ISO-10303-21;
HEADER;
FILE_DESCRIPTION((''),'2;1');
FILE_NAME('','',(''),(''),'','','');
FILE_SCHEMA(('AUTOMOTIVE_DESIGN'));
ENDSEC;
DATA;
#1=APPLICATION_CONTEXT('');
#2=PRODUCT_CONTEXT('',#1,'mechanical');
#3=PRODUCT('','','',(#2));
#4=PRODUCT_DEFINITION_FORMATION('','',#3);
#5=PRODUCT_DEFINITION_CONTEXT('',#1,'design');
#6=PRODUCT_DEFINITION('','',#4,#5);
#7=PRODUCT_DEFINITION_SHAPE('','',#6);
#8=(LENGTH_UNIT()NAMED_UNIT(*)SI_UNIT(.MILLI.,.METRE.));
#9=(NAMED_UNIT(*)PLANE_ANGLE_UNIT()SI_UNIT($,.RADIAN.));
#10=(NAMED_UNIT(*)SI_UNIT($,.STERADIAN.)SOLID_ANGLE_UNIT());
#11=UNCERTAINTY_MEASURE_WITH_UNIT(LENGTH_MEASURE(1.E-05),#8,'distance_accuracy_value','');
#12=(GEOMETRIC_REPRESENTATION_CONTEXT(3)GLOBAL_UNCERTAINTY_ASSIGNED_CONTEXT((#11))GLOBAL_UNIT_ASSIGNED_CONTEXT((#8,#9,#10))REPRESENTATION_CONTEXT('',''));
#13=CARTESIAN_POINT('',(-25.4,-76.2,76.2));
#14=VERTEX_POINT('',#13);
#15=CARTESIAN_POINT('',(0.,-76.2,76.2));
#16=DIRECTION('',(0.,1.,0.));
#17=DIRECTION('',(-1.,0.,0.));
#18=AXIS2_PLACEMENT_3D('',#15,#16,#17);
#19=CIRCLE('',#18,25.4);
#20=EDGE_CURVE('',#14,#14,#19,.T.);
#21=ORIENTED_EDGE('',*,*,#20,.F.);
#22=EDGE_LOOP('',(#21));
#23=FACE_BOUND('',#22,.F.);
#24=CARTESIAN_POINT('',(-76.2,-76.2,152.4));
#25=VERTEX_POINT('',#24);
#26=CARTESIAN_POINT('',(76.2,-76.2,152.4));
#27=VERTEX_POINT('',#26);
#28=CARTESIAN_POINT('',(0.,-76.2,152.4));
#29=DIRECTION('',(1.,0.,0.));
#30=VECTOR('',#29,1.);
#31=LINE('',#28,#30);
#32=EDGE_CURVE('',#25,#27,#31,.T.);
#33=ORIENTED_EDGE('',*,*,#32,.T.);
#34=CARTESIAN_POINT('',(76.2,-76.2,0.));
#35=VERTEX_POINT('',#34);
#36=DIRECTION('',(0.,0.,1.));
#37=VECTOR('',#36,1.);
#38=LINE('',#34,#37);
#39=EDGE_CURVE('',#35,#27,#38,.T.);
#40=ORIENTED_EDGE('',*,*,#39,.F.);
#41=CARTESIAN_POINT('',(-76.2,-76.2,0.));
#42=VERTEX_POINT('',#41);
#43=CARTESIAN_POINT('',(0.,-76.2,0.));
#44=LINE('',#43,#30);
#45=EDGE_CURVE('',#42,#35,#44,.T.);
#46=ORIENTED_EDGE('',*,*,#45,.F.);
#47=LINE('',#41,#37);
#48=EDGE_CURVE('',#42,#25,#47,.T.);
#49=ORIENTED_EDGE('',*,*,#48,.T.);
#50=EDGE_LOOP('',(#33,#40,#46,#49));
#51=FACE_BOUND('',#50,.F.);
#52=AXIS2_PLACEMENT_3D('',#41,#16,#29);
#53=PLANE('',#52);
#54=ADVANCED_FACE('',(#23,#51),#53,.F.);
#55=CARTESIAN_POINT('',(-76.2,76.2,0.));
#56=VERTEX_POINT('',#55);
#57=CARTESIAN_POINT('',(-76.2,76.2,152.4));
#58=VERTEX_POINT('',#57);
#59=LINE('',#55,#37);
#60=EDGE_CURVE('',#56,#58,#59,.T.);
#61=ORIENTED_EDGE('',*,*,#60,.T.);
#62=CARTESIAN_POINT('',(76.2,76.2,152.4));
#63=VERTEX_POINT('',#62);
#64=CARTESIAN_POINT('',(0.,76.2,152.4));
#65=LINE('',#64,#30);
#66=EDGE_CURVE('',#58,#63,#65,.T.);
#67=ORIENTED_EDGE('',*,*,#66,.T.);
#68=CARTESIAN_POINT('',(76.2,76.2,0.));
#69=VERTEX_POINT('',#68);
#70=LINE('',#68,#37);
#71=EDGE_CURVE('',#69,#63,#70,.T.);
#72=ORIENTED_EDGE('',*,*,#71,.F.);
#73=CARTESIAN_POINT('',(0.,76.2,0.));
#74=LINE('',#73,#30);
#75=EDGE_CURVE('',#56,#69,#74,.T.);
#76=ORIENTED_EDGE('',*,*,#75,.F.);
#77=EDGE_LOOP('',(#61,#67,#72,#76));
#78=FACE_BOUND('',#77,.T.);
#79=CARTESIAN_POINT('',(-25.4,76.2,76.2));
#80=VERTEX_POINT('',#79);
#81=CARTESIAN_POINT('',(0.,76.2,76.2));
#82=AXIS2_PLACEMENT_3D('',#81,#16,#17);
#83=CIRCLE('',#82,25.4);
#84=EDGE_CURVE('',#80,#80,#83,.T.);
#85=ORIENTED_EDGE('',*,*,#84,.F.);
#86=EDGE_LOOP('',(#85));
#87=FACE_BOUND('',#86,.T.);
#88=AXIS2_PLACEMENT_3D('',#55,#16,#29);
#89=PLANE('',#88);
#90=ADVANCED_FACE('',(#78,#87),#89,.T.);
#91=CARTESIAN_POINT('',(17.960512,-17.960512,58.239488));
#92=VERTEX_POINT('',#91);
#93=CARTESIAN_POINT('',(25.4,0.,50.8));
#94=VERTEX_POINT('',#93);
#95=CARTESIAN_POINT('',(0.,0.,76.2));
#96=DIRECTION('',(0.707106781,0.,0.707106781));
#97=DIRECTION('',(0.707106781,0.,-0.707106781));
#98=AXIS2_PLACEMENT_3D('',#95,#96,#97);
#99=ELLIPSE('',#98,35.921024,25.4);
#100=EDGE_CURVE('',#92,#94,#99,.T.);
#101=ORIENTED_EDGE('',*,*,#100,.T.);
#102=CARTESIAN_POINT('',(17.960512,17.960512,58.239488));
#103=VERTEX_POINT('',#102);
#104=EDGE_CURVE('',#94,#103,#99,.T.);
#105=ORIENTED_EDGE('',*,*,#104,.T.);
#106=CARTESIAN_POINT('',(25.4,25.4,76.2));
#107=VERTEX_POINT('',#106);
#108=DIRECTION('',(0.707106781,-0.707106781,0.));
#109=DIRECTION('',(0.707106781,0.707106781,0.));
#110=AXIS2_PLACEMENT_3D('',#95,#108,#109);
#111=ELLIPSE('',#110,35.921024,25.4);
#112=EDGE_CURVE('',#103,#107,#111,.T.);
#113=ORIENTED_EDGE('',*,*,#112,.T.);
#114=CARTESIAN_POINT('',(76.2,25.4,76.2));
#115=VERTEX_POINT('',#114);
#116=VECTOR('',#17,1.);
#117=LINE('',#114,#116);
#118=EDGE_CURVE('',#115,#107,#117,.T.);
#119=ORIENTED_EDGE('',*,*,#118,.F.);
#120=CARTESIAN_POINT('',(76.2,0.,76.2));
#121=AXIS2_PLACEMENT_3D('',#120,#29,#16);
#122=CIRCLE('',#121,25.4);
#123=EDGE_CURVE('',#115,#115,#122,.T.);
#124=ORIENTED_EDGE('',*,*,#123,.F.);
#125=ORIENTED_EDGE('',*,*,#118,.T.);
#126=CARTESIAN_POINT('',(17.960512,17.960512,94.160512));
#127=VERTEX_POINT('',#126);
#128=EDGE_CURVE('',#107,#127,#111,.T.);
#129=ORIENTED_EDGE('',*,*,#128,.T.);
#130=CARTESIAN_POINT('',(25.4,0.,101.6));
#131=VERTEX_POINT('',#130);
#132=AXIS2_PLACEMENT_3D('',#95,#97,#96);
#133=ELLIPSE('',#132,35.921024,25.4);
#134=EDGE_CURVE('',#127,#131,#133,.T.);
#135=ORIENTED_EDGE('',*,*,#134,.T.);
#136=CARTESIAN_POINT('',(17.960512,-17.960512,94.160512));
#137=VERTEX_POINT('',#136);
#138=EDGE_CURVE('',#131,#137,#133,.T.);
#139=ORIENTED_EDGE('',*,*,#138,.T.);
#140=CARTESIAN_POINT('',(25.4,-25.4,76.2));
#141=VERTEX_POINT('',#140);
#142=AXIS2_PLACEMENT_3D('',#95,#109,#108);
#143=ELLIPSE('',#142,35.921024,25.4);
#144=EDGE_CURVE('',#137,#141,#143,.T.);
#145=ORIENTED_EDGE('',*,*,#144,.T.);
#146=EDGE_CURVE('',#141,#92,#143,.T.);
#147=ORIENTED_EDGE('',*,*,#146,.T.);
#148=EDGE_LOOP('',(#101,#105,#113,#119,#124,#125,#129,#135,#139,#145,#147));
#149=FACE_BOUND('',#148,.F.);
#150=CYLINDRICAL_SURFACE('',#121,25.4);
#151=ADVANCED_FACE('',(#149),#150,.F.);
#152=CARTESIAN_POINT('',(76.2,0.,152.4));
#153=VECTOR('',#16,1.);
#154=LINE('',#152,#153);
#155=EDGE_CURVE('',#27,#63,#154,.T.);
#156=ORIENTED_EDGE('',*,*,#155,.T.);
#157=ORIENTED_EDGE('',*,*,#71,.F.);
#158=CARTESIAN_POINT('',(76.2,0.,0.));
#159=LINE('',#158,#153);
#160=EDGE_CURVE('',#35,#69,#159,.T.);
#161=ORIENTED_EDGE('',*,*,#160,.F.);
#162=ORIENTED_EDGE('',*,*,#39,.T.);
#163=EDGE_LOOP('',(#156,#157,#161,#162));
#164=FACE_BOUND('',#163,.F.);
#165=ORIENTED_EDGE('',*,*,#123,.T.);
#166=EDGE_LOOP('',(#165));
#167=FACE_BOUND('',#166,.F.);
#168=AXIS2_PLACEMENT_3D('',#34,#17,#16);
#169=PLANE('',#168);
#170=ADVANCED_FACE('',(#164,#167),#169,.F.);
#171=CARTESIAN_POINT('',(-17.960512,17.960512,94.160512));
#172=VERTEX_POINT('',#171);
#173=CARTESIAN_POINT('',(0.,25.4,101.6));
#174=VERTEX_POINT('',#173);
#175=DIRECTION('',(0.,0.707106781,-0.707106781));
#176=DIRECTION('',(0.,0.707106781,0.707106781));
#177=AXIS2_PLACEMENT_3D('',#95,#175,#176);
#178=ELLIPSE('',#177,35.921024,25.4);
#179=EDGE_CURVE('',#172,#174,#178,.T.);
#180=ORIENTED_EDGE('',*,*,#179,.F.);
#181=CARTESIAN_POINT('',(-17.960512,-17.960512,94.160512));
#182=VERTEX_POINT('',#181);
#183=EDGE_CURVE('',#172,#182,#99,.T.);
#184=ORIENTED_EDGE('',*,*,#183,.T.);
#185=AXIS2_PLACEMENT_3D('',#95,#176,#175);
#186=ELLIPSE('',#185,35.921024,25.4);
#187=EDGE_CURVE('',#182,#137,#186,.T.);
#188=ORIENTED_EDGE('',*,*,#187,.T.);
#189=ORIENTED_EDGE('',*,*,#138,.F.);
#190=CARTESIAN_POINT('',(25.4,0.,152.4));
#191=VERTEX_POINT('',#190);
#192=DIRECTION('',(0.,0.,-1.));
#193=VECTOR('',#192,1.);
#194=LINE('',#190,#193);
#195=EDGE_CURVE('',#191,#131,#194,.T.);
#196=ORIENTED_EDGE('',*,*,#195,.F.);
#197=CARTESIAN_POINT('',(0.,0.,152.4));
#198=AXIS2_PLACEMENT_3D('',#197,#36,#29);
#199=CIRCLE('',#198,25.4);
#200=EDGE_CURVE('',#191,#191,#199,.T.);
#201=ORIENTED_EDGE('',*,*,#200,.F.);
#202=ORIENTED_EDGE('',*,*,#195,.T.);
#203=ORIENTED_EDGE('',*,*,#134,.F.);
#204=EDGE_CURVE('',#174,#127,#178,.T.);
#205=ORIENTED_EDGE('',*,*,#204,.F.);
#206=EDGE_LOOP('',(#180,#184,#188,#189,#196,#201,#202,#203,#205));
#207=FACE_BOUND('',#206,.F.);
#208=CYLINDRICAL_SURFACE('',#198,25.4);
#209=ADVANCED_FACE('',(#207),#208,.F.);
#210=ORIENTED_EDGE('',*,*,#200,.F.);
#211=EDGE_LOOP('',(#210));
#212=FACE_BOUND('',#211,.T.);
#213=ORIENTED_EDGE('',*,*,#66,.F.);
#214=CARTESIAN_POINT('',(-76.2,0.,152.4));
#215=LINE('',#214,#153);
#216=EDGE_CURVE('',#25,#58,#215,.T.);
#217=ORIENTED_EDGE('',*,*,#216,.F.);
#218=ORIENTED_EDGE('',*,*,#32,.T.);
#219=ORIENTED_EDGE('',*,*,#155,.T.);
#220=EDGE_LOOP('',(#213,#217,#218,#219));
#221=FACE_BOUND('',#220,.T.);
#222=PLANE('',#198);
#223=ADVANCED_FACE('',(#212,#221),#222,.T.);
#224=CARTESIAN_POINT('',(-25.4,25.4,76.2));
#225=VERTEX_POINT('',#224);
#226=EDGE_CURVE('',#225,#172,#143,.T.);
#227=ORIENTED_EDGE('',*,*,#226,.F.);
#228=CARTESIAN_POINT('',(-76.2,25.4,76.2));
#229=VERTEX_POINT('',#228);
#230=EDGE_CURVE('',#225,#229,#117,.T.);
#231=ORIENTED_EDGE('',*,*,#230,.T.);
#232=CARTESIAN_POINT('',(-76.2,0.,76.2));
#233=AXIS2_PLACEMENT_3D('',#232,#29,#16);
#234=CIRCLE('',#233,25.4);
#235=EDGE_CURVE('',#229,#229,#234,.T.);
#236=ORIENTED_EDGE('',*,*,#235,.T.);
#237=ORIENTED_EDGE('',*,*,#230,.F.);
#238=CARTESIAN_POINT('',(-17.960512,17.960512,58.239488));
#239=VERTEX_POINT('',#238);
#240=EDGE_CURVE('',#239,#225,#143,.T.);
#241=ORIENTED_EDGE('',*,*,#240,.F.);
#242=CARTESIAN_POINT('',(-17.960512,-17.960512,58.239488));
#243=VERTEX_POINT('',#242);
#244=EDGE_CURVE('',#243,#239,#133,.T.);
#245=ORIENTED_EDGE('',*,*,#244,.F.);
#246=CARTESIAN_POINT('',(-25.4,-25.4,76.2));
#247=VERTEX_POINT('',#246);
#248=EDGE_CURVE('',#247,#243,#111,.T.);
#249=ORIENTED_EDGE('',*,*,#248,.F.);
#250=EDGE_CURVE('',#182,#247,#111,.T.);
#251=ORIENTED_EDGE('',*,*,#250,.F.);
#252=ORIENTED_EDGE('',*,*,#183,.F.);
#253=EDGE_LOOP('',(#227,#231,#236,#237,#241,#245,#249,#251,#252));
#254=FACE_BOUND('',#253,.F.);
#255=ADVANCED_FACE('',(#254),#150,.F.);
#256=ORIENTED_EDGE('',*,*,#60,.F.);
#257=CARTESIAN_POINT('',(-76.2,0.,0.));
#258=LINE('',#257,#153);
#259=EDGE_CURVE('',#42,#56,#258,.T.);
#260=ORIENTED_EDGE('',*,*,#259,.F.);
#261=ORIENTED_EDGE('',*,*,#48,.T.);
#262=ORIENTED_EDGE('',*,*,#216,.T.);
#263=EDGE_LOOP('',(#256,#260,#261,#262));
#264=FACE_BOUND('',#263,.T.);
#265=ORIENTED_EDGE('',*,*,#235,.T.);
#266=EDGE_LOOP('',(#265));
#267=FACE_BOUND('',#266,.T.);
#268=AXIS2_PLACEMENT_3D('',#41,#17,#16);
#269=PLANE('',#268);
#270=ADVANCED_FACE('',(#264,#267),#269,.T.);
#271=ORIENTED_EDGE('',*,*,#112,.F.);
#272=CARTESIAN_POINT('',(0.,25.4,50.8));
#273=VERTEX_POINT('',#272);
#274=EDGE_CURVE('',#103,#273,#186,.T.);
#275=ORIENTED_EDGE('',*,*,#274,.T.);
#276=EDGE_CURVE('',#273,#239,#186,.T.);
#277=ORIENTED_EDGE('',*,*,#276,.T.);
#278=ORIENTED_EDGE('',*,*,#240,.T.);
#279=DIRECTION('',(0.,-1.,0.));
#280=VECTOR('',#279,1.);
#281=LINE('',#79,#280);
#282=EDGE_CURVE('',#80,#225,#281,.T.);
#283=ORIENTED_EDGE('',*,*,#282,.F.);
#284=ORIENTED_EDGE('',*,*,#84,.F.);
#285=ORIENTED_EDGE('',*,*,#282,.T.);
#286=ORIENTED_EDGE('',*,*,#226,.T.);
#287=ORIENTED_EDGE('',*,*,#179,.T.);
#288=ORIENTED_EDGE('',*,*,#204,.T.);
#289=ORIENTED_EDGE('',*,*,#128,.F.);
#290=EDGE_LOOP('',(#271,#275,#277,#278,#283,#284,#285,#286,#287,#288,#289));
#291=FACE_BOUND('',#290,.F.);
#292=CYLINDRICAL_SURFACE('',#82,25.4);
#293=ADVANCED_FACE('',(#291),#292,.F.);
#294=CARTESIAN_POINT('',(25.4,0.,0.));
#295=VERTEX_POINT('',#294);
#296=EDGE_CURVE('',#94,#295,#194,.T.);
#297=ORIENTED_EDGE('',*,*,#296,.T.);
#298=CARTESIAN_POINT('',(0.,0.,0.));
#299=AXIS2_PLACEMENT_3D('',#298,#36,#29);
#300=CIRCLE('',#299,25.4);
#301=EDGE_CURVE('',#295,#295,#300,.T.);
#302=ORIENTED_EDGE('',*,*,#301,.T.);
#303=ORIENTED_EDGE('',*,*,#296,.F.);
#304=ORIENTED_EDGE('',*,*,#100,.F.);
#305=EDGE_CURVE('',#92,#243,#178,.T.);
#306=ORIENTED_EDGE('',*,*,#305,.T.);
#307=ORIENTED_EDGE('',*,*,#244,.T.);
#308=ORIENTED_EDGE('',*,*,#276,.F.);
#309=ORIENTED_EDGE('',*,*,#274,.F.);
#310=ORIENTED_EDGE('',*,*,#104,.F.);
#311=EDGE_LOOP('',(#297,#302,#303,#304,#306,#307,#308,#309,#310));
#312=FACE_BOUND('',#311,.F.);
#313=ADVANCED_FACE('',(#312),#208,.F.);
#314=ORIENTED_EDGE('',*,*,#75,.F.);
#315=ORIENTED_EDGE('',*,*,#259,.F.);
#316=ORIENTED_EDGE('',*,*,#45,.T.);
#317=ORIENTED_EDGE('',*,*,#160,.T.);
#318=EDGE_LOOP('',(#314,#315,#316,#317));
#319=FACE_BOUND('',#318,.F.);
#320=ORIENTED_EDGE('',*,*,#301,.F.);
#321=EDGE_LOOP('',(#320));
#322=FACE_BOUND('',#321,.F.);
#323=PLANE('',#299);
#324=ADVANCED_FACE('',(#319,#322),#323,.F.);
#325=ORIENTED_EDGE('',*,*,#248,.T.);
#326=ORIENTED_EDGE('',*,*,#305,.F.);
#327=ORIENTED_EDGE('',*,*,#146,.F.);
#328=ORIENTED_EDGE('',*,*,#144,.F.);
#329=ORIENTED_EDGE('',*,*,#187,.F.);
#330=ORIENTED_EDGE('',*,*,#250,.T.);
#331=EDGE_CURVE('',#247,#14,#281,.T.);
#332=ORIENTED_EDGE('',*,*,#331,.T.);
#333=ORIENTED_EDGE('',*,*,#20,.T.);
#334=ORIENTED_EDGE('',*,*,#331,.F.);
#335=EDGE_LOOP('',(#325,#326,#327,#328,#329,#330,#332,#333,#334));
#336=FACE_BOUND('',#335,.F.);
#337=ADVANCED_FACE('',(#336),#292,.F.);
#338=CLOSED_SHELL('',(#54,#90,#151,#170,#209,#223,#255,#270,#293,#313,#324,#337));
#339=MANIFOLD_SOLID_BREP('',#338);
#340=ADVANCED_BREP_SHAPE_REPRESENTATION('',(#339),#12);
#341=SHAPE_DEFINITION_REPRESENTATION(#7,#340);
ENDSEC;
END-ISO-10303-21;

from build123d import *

# Parameters (mm, degrees)
F0_W     = 152.4
F0_H     = 152.4
F1_DEPTH = 152.4
F2_R     = 25.4
F3_DEPTH = 152.401
F4_R     = 25.4
F5_DEPTH = 152.401
F6_R     = 25.4
F7_DEPTH = 152.401


with BuildPart() as f1:
    # F0 (on Top) → F1 (new body)
    with BuildSketch(Plane.XY):
        Rectangle(F0_W, F0_H)
    extrude(amount=F1_DEPTH)

    # F2 (on face) → F3 (cut, through all)
    with BuildSketch(Plane.YZ.offset(76.2)):
        with Locations((0, 76.2)):
            Circle(F2_R)
    extrude(amount=-F3_DEPTH, mode=Mode.SUBTRACT)

    # F4 (on face) → F5 (cut, through all)
    with BuildSketch(Plane(origin=(0, 76.2, 0), x_dir=(-1, 0, 0), z_dir=(0, 1, 0))):
        with Locations((0, 76.2)):
            Circle(F4_R)
    extrude(amount=-F5_DEPTH, mode=Mode.SUBTRACT)

    # F6 (on face) → F7 (cut, through all)
    with BuildSketch(Plane.XY.offset(152.4)):
        Circle(F6_R)
    extrude(amount=-F7_DEPTH, mode=Mode.SUBTRACT)


solid = f1.part
